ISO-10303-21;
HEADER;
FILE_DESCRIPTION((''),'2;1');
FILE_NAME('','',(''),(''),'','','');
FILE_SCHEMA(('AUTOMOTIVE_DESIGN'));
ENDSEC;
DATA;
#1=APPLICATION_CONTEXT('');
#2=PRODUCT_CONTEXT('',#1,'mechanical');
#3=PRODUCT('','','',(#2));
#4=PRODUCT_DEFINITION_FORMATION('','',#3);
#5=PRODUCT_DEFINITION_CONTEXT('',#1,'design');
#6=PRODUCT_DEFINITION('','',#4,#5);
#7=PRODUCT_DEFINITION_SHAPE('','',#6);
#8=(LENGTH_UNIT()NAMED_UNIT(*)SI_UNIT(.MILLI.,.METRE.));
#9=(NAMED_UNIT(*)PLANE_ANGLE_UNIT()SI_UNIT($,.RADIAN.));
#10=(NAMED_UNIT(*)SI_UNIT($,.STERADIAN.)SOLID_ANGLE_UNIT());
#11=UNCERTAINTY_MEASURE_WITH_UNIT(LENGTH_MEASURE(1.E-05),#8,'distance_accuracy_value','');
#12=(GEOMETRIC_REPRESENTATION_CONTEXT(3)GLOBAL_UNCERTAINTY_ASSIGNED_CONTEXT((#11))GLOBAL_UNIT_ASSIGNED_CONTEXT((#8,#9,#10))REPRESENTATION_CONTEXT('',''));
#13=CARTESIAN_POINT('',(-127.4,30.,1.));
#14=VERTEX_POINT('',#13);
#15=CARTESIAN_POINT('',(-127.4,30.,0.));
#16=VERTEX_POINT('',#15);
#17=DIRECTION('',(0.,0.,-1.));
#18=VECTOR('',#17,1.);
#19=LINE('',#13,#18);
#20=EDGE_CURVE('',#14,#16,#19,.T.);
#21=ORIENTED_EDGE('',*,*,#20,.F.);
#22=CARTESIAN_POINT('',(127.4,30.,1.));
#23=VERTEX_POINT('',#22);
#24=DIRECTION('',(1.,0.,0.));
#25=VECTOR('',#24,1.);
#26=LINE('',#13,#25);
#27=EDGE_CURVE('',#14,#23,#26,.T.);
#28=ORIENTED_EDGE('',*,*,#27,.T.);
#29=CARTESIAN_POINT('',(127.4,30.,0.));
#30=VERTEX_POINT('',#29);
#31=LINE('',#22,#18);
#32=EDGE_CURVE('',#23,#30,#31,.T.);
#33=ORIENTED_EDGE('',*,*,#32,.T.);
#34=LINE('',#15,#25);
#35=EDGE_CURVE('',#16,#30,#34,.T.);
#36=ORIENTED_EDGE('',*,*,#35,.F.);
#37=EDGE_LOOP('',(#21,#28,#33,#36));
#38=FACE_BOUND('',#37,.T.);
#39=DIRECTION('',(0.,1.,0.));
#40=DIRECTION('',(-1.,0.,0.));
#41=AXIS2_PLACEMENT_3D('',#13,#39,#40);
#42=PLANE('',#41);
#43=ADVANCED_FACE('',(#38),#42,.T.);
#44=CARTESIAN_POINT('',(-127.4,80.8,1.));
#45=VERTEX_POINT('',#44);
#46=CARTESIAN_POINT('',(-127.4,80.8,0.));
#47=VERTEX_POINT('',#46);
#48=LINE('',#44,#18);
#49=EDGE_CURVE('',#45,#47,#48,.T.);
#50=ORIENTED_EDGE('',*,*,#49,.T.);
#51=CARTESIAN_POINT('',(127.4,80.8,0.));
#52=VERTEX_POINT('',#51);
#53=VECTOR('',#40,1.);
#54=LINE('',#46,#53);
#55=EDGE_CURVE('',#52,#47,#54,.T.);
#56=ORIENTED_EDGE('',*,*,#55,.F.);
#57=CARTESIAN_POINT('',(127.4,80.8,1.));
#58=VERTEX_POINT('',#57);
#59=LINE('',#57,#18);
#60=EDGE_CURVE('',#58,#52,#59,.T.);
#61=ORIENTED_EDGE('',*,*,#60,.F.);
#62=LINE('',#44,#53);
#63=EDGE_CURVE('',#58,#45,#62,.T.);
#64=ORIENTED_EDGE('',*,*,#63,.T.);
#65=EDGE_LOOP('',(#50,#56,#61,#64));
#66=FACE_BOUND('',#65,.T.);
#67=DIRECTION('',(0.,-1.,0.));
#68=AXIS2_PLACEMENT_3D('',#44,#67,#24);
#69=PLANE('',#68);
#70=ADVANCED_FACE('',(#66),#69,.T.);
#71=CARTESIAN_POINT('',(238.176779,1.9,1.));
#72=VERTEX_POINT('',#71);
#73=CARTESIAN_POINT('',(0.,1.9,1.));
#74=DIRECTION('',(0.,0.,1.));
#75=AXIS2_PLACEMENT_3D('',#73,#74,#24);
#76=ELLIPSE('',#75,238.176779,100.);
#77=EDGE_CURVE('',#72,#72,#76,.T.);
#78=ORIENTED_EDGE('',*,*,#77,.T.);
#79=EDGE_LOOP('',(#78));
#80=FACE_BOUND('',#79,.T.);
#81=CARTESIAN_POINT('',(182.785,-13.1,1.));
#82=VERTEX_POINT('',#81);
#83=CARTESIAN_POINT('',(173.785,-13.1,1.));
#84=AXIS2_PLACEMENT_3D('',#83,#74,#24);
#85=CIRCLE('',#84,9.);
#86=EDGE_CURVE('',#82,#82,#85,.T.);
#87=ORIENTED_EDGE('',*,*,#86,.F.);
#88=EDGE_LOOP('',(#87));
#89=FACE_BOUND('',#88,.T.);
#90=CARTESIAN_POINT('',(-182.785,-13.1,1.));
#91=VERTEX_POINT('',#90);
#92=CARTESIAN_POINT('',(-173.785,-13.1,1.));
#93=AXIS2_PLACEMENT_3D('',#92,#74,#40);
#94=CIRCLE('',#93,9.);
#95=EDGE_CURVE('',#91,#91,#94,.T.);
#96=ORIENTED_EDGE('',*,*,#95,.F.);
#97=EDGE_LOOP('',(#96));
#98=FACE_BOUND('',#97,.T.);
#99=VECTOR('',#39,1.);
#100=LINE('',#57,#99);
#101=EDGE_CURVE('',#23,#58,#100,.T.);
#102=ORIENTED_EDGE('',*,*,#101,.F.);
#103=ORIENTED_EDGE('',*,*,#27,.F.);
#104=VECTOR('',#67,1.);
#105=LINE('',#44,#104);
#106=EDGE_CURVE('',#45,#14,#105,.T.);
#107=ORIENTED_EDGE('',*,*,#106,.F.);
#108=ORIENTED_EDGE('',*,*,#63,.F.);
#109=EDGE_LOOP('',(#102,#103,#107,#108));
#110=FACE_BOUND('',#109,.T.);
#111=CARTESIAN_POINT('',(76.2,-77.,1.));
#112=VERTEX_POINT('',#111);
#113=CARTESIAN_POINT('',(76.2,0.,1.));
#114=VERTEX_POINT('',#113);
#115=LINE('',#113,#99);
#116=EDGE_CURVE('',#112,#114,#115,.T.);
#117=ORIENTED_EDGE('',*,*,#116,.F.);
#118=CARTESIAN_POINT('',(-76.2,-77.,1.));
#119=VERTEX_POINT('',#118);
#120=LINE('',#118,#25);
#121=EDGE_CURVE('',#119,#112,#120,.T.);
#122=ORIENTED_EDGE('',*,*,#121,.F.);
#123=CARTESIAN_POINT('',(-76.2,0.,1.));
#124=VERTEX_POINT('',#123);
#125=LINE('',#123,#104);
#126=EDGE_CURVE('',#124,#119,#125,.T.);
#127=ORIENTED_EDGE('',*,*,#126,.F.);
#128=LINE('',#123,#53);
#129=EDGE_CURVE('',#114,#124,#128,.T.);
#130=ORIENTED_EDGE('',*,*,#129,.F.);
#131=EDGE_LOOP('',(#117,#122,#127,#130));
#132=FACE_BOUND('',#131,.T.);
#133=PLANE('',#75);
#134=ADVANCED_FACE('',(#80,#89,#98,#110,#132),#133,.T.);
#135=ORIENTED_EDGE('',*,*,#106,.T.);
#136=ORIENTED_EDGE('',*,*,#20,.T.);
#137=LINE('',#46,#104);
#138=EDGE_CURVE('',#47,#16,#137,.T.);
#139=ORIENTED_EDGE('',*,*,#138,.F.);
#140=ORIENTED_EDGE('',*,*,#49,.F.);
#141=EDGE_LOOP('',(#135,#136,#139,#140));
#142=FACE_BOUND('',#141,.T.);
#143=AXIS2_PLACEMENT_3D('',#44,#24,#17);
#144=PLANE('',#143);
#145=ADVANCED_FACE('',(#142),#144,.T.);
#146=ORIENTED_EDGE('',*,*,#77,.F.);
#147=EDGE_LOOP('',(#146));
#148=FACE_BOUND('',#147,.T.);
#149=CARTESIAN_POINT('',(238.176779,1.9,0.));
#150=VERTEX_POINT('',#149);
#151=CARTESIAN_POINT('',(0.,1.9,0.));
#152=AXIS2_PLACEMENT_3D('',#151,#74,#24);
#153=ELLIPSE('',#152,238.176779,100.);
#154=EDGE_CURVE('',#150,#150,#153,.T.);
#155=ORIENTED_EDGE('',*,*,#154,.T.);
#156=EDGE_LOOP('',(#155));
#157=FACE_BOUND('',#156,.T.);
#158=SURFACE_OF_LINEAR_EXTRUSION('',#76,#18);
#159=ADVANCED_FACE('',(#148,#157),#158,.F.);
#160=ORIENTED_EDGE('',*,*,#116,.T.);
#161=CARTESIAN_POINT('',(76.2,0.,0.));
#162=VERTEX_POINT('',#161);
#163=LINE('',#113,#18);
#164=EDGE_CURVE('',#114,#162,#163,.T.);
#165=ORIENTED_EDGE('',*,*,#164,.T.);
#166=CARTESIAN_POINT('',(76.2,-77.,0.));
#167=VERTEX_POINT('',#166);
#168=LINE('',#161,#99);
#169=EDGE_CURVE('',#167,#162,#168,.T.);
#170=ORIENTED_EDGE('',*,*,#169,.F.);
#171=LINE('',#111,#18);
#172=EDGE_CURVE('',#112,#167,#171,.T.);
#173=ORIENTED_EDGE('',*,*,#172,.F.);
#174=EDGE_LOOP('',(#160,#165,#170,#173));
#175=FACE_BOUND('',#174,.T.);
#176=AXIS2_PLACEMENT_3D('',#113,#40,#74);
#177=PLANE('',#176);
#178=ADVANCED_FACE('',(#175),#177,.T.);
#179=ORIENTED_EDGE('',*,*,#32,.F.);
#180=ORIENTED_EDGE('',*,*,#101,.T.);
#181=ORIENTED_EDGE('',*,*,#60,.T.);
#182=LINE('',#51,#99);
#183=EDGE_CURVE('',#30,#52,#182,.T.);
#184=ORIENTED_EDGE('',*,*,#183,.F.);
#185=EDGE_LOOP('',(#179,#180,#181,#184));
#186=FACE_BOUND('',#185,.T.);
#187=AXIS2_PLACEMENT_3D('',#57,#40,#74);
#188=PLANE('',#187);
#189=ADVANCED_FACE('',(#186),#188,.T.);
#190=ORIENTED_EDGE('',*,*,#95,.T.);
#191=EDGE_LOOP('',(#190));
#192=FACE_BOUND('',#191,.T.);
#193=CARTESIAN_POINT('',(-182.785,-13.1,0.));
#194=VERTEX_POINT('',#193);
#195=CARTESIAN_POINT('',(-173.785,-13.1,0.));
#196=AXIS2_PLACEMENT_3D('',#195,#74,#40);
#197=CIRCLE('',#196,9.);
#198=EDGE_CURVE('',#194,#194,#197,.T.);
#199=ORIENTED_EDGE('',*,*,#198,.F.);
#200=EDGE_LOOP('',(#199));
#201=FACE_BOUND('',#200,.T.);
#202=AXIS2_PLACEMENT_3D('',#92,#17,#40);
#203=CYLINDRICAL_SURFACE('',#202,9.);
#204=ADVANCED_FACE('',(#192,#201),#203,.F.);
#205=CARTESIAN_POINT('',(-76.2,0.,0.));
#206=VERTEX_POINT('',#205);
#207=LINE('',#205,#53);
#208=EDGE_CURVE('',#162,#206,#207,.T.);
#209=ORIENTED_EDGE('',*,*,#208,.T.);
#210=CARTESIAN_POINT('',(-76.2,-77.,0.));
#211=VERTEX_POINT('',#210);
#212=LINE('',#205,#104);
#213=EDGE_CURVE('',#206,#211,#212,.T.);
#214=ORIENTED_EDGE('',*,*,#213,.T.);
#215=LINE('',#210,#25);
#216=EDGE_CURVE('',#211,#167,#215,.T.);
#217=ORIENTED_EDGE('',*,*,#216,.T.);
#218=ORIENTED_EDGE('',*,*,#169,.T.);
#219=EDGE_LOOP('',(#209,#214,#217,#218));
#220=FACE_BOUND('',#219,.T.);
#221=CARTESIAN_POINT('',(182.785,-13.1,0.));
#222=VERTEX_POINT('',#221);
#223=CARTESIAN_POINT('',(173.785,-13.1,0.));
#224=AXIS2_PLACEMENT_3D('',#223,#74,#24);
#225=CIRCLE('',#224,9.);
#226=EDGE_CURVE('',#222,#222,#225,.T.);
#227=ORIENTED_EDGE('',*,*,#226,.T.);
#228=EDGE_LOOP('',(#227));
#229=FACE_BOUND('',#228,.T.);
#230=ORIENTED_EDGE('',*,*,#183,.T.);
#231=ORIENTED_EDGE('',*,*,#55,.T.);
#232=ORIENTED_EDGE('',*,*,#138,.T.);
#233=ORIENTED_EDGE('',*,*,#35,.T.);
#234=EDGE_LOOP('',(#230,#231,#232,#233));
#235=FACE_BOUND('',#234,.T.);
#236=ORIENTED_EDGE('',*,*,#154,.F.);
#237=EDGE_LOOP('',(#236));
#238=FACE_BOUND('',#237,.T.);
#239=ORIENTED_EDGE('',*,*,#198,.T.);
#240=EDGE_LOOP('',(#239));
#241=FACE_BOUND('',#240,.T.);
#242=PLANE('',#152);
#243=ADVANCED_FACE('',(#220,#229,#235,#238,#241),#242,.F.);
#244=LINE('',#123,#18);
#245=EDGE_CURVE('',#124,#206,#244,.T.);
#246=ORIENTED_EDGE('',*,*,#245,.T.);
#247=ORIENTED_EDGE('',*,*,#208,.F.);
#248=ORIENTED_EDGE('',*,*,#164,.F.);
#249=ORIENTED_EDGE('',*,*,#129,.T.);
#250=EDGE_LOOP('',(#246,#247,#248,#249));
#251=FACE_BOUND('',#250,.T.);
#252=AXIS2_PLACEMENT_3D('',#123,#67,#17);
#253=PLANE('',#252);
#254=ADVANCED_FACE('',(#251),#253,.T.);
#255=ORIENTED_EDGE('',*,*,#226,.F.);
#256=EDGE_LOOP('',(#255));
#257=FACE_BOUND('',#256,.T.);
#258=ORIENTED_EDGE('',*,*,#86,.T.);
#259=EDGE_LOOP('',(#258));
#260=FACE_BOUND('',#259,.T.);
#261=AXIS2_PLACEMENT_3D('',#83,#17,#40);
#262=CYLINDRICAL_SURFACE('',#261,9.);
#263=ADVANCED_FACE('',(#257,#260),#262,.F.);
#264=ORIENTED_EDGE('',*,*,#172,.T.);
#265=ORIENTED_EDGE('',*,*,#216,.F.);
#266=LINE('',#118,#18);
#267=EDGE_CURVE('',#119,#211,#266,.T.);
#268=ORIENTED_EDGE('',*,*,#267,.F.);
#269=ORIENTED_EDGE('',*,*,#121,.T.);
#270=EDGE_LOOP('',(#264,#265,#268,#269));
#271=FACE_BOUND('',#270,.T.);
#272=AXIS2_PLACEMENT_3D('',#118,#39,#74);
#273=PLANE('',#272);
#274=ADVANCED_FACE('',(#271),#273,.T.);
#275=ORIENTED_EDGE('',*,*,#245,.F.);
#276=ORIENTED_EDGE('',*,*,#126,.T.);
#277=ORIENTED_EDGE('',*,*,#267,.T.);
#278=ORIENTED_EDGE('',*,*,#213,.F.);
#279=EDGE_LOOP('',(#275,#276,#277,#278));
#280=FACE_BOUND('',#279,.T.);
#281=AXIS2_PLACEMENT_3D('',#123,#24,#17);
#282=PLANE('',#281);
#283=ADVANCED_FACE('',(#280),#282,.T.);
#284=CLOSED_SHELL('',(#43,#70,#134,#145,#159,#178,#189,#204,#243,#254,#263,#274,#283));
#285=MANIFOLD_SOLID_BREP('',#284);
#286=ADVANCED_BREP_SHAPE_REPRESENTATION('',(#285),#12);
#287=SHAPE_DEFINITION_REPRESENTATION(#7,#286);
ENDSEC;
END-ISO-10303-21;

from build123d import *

# Parameters (mm, degrees)
FUSELAGE_FRONT_RX          = 238.17677875
FUSELAGE_FRONT_RY          = 100
FUSELAGE_FRONT_R           = 9
FUSELAGE_FRONT_W           = 254.8
FUSELAGE_FRONT_H           = 50.8
FUSELAGE_FRONT_W_2         = 152.4
FUSELAGE_FRONT_H_2         = 77
FUSELAGE_FRONT_PLATE_DEPTH = 1


with BuildPart() as part:
    # fuselage_front → fuselage_front_plate (new body)
    with BuildSketch(Plane.XY):
        with Locations(Location((0, 1.9), (0, 0, 0))):
            Ellipse(FUSELAGE_FRONT_RX, FUSELAGE_FRONT_RY)
        with Locations((173.785, -13.1)):
            Circle(FUSELAGE_FRONT_R, mode=Mode.SUBTRACT)
        with Locations(Location((-173.785, -13.1, 0), (0, 0, 180))):
            Circle(FUSELAGE_FRONT_R, mode=Mode.SUBTRACT)
        with Locations((0, 55.4)):
            Rectangle(FUSELAGE_FRONT_W, FUSELAGE_FRONT_H, mode=Mode.SUBTRACT)
        with Locations((0, -38.5)):
            Rectangle(FUSELAGE_FRONT_W_2, FUSELAGE_FRONT_H_2, mode=Mode.SUBTRACT)
    extrude(amount=FUSELAGE_FRONT_PLATE_DEPTH)


solid = part.part
